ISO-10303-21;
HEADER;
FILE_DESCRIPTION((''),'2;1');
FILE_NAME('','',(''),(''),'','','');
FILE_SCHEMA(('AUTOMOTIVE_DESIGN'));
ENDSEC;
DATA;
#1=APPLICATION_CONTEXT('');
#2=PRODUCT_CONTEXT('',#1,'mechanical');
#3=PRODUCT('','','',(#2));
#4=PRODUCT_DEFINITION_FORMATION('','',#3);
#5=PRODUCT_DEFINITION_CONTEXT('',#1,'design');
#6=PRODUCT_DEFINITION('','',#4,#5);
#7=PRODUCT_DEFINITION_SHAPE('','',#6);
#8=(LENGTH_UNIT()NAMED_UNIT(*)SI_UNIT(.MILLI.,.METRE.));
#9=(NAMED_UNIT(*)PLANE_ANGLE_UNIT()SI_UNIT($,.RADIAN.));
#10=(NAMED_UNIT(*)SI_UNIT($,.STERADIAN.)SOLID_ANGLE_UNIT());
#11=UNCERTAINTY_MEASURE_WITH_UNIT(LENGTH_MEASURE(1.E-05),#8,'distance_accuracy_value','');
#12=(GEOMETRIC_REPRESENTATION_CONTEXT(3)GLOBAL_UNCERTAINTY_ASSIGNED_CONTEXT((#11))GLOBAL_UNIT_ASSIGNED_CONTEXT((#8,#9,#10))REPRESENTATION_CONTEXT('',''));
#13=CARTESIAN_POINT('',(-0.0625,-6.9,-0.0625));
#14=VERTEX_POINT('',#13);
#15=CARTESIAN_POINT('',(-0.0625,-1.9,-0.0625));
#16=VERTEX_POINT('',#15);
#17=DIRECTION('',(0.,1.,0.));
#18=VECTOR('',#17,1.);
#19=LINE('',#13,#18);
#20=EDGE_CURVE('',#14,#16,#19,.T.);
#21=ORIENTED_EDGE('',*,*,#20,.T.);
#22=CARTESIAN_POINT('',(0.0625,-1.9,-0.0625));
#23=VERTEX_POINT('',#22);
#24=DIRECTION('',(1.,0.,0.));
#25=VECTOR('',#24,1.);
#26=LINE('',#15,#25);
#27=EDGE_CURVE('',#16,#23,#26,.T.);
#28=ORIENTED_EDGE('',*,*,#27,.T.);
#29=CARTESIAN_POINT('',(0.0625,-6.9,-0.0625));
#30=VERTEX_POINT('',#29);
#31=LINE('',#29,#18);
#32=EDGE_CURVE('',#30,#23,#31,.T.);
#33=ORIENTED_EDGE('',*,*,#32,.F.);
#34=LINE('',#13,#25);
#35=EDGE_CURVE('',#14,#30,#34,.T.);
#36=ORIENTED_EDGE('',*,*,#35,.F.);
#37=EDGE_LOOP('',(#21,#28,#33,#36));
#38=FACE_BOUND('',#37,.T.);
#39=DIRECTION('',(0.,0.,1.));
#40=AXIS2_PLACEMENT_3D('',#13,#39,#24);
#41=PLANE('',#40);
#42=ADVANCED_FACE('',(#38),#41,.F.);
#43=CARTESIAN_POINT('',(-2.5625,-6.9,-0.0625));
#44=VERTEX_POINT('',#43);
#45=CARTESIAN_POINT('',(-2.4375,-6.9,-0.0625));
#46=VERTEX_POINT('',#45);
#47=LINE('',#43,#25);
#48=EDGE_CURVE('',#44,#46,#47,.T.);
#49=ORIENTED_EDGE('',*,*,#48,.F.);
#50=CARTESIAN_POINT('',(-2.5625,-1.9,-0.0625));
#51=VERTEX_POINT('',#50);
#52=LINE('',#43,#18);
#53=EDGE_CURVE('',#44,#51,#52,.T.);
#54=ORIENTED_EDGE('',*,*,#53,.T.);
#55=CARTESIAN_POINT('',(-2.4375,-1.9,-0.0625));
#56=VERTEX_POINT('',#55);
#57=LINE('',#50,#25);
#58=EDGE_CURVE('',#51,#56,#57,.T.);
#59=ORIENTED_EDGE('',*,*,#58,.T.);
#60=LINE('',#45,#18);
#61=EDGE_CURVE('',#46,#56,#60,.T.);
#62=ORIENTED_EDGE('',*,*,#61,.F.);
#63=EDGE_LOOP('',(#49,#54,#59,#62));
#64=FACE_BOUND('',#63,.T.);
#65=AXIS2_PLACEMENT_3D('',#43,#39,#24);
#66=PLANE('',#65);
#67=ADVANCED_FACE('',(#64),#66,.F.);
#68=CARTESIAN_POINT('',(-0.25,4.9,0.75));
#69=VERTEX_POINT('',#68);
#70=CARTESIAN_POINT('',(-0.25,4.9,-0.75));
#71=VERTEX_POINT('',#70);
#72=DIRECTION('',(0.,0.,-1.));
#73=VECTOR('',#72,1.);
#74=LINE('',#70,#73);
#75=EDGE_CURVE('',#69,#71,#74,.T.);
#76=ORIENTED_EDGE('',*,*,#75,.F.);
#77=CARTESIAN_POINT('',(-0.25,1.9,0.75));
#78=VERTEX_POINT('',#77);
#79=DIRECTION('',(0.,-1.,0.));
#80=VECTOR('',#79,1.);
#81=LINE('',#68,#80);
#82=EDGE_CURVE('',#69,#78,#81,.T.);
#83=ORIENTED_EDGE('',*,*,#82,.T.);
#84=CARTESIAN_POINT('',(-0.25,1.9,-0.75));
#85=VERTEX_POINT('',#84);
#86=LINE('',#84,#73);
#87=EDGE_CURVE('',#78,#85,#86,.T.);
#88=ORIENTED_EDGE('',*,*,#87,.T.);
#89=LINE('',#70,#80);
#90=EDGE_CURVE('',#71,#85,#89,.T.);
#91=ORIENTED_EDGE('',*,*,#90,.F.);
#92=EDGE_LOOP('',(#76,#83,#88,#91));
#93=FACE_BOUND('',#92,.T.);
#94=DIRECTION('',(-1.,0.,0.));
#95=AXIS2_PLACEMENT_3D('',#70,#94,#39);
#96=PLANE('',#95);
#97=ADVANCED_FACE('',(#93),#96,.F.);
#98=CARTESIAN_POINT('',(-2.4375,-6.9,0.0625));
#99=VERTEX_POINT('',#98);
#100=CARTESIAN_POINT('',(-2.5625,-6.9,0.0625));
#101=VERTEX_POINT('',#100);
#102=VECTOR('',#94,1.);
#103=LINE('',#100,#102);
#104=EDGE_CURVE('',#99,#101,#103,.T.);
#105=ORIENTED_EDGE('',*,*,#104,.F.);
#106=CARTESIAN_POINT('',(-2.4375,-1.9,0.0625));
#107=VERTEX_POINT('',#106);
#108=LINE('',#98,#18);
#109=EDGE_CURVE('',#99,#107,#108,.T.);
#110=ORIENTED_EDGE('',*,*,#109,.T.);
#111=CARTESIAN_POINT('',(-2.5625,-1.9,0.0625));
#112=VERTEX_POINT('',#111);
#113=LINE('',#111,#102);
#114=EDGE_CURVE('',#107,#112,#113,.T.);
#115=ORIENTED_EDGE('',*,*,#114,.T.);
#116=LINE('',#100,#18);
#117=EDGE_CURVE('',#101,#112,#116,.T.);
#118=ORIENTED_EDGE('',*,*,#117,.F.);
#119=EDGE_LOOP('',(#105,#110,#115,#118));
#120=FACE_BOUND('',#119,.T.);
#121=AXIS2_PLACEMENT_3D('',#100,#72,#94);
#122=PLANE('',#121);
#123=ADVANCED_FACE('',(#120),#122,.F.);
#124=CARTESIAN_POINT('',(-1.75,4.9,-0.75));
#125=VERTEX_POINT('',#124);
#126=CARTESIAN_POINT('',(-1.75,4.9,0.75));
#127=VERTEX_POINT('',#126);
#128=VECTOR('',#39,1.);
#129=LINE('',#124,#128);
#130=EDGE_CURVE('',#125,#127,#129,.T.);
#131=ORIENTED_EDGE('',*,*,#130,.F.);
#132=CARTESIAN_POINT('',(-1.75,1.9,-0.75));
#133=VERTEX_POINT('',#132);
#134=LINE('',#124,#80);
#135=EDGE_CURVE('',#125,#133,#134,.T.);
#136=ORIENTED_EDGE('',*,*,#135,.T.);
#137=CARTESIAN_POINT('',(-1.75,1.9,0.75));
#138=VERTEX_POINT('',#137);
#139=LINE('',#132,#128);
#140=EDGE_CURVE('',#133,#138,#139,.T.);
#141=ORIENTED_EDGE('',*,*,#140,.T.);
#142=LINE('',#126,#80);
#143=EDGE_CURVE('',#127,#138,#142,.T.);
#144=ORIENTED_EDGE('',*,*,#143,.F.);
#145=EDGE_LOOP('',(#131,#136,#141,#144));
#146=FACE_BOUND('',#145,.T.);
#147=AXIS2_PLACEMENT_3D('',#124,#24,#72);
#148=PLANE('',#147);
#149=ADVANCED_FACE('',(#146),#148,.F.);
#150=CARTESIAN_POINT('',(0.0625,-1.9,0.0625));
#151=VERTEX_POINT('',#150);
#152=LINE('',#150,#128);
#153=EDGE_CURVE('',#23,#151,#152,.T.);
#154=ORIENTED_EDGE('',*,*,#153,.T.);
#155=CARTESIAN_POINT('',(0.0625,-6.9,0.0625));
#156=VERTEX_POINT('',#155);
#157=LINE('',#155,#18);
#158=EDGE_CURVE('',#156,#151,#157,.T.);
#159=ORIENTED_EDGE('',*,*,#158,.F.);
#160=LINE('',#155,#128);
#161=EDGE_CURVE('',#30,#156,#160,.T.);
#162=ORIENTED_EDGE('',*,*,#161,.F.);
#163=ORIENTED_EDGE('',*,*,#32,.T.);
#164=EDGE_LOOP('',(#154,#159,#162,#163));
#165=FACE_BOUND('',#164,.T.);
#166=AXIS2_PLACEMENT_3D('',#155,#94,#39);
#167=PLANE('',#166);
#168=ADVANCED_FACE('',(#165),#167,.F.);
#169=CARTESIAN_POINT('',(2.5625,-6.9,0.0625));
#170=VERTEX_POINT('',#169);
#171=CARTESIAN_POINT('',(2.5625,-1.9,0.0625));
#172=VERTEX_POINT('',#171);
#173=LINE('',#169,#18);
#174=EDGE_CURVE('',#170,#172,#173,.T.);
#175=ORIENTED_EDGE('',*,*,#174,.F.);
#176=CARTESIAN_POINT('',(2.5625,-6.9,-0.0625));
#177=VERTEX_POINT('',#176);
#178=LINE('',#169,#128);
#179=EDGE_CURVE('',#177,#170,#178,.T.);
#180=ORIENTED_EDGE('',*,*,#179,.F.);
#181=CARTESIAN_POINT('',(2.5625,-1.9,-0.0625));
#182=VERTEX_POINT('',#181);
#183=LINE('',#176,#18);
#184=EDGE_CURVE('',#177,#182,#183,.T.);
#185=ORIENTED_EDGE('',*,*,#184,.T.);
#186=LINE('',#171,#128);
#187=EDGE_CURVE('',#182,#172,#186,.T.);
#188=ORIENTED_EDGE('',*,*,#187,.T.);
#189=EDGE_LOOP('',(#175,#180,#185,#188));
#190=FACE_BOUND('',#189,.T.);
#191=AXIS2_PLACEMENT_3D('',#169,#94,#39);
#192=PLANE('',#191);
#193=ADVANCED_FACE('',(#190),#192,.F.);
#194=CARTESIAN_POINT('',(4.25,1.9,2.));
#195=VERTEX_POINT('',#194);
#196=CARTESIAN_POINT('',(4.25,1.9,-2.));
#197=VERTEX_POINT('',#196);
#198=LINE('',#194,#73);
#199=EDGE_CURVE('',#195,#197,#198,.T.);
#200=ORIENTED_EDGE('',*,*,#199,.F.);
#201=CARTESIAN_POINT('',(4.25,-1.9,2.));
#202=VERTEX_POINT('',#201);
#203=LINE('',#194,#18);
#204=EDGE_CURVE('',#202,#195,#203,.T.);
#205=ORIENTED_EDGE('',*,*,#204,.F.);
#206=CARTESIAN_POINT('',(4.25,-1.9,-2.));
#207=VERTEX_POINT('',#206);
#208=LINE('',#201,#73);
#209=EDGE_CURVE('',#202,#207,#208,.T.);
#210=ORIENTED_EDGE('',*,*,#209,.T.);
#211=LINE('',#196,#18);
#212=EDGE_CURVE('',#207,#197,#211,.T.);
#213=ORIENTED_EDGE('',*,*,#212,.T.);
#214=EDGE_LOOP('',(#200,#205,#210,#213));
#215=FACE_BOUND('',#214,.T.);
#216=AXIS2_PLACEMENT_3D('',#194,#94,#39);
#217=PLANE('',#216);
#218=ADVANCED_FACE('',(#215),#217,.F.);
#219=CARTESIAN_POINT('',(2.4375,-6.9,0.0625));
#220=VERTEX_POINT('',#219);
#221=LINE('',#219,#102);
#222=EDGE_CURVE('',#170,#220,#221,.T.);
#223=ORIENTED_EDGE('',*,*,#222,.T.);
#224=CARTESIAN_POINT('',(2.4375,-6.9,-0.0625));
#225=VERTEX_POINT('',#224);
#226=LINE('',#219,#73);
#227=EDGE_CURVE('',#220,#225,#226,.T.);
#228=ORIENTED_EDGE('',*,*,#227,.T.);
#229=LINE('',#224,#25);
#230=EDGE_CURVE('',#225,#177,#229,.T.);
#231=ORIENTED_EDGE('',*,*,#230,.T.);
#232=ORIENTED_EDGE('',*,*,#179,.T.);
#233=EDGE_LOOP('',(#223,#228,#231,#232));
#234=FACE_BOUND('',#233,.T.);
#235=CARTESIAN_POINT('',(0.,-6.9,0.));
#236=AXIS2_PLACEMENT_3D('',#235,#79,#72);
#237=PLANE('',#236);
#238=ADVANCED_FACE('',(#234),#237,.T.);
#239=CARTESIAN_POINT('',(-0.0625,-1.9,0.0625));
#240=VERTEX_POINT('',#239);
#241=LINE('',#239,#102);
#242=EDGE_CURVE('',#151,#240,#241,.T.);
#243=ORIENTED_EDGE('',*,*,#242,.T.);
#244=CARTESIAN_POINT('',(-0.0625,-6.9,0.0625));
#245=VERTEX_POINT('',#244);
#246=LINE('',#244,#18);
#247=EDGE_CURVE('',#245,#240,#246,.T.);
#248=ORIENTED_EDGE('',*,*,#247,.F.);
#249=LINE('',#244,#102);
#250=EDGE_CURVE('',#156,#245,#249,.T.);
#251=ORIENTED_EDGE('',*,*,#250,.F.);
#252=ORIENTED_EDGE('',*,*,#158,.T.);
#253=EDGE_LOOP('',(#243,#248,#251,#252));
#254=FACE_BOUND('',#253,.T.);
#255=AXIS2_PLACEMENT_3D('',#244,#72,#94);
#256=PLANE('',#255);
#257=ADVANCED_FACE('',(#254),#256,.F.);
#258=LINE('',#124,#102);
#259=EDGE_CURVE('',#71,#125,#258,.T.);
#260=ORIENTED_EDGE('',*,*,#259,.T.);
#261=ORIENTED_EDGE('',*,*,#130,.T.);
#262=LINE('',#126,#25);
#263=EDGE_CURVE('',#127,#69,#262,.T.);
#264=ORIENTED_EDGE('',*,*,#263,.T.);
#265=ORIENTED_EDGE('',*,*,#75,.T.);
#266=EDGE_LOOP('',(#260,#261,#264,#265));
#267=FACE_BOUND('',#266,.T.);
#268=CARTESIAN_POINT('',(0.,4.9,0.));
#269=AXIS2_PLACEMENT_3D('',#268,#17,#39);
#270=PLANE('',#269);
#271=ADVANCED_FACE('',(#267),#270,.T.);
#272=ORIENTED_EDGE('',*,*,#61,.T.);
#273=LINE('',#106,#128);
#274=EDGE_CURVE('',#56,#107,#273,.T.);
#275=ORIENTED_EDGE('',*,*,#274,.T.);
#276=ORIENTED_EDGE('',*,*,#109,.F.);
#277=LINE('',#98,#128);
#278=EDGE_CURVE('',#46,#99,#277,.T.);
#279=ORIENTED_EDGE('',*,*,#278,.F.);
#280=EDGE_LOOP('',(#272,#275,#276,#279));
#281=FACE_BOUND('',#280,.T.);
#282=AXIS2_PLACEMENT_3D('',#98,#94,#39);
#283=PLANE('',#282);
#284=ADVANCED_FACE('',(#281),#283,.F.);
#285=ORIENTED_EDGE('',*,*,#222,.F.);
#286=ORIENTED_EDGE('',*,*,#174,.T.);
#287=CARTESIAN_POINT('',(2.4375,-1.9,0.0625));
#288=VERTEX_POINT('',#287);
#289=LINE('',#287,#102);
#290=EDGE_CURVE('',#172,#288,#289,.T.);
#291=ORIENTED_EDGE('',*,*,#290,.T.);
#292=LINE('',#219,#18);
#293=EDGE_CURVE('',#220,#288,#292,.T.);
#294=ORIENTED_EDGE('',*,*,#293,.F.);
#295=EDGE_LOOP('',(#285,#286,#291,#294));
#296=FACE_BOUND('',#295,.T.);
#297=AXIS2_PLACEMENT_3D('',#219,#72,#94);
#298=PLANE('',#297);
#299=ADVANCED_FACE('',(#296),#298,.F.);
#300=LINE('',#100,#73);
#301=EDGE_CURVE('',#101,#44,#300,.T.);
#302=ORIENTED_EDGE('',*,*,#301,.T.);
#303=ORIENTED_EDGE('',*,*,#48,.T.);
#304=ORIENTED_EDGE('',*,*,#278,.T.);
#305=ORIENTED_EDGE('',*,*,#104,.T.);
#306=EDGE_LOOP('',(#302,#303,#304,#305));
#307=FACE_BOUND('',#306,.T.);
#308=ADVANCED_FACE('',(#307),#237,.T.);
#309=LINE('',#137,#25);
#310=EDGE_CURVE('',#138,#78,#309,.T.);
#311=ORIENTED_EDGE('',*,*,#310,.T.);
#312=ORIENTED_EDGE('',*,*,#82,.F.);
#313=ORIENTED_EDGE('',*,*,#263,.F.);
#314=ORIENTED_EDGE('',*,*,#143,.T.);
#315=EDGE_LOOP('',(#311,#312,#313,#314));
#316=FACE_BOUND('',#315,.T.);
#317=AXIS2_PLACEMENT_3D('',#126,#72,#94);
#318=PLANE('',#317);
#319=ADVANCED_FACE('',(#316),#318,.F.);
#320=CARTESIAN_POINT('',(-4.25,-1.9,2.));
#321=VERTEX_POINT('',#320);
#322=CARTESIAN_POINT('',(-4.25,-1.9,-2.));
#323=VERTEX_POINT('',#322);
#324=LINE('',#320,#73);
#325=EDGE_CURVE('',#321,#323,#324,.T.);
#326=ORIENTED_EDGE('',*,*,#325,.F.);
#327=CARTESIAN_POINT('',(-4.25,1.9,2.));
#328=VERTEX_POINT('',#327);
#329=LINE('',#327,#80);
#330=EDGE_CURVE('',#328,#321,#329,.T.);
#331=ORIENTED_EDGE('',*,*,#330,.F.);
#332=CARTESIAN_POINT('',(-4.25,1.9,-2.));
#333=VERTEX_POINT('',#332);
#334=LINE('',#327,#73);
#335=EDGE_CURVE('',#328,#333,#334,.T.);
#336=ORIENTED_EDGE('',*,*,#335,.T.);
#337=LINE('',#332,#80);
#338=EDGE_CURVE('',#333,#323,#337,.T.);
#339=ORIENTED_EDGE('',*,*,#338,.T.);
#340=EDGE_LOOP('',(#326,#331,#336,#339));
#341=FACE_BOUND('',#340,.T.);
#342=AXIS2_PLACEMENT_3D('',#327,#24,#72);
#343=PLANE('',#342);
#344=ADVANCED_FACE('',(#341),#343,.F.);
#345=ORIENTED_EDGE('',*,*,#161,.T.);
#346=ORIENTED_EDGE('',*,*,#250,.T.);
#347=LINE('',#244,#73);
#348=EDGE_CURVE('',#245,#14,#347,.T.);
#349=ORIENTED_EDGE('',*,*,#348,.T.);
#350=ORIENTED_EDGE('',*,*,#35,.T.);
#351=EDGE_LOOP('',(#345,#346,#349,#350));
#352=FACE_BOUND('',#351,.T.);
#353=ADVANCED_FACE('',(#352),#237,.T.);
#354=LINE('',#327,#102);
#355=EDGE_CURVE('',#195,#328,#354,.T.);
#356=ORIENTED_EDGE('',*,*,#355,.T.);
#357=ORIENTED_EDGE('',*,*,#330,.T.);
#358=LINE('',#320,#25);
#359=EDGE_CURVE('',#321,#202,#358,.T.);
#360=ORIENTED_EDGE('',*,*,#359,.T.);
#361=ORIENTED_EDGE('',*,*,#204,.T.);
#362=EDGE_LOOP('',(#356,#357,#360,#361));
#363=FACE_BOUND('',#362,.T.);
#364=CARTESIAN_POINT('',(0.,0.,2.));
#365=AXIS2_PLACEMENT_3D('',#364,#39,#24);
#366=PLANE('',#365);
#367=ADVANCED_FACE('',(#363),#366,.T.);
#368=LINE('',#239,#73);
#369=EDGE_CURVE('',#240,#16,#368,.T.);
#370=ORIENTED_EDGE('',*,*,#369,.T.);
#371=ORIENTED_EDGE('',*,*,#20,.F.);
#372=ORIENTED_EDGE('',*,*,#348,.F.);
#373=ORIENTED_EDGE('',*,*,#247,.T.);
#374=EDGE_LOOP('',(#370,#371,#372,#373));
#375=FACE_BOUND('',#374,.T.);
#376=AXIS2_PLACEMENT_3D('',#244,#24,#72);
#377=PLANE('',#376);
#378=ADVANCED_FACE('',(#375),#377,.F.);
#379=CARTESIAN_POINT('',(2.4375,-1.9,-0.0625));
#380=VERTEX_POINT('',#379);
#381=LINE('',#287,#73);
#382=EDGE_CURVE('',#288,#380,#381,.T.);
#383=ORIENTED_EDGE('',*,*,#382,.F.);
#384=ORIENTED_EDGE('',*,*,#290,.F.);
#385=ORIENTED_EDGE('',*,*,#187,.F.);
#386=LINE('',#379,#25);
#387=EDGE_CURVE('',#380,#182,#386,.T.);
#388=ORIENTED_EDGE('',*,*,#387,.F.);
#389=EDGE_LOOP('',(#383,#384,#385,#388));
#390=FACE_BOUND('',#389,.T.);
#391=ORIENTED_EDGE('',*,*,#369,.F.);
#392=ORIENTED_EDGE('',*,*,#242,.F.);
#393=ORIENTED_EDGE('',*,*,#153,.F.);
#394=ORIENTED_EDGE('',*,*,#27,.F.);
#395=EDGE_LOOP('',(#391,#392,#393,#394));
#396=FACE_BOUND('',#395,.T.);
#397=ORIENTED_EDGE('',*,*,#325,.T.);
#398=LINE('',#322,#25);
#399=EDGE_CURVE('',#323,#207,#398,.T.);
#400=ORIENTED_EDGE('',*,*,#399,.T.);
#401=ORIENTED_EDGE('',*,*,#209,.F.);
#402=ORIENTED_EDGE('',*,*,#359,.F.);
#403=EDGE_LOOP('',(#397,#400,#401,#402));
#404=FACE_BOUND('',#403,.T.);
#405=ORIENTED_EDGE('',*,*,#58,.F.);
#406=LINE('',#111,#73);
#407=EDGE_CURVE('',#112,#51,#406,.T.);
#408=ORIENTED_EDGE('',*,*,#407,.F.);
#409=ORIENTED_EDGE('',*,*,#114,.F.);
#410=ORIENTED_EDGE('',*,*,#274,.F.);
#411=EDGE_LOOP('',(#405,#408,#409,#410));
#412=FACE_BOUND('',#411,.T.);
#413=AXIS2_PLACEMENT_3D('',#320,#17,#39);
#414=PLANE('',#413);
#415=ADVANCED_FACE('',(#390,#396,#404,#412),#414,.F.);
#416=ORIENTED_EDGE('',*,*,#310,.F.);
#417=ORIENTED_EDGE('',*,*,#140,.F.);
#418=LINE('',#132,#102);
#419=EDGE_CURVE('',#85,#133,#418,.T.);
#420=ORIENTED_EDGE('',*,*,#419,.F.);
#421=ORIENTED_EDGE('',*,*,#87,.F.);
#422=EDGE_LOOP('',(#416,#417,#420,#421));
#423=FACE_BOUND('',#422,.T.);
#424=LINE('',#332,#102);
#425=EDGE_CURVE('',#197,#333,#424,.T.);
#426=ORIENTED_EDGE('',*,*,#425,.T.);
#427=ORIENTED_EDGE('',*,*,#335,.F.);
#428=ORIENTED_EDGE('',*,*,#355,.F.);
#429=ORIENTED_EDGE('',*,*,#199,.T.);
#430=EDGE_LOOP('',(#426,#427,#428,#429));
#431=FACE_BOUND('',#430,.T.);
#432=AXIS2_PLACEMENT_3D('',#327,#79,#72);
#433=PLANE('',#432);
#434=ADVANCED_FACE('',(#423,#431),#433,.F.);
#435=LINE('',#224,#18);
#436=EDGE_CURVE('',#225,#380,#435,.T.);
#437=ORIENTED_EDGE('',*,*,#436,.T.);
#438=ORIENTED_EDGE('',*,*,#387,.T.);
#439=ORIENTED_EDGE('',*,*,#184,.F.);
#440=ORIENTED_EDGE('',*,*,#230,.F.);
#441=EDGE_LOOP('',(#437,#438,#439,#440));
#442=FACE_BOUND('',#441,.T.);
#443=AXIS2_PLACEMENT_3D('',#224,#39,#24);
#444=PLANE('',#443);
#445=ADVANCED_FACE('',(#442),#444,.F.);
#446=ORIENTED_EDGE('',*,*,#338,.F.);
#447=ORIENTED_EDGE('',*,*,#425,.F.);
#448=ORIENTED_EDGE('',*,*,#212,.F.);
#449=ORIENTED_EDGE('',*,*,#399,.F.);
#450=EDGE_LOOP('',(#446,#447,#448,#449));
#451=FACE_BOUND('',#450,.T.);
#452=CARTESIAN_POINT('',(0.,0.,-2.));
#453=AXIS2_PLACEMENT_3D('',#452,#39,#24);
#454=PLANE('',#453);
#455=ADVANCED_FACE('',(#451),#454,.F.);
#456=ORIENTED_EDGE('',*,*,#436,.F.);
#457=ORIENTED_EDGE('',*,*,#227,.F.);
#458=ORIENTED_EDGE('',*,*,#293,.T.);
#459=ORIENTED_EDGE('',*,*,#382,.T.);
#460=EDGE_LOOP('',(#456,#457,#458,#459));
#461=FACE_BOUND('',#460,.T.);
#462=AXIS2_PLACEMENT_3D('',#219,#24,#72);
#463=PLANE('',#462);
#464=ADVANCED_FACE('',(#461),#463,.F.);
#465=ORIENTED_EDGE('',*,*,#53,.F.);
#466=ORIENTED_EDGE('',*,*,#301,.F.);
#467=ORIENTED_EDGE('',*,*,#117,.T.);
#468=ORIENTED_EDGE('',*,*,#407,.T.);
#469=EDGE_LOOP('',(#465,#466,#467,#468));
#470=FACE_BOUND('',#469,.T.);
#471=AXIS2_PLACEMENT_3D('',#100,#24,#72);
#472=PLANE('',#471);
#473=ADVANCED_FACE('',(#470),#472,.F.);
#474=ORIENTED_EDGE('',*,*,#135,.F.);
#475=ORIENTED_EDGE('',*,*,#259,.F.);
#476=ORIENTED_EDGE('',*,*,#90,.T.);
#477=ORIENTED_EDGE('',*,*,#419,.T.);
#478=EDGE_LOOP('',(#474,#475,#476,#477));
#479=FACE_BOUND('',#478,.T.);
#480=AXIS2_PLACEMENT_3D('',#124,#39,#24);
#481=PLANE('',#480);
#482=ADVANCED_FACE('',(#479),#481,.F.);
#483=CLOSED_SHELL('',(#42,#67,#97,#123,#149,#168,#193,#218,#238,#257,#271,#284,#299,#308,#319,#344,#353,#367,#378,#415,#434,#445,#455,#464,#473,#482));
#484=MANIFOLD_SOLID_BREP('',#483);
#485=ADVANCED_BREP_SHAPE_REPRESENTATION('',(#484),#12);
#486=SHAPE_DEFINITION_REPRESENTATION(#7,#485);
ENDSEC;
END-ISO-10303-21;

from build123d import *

# Parameters (mm, degrees)
SKETCH1_W           = 8.5
SKETCH1_H           = 3.8
BOSS_EXTRUDE1_DEPTH = 2
SKETCH2_W           = 1.5
SKETCH2_H           = 1.5
BOSS_EXTRUDE2_DEPTH = 3
SKETCH3_W           = 0.125
SKETCH3_H           = 0.125
BOSS_EXTRUDE3_DEPTH = 5


with BuildPart() as part:
    # Sketch1 → Boss-Extrude1 (new, symmetric)
    with BuildSketch(Plane.XY):
        Rectangle(SKETCH1_W, SKETCH1_H)
    extrude(amount=BOSS_EXTRUDE1_DEPTH, both=True)

    # Sketch2 → Boss-Extrude2 (add)
    with BuildSketch(Plane(origin=(0, 1.9, 0), x_dir=(1, 0, 0), z_dir=(0, 1, 0))):
        with Locations((-1, 0)):
            Rectangle(SKETCH2_W, SKETCH2_H)
    extrude(amount=BOSS_EXTRUDE2_DEPTH)

    # Sketch3 → Boss-Extrude3 (add)
    with BuildSketch(Plane.XZ.offset(1.9)):
        Rectangle(SKETCH3_W, SKETCH3_H)
        with Locations((-2.5, 0)):
            Rectangle(SKETCH3_W, SKETCH3_H)
        with Locations((2.5, 0)):
            Rectangle(SKETCH3_W, SKETCH3_H)
    extrude(amount=BOSS_EXTRUDE3_DEPTH)


solid = part.part
